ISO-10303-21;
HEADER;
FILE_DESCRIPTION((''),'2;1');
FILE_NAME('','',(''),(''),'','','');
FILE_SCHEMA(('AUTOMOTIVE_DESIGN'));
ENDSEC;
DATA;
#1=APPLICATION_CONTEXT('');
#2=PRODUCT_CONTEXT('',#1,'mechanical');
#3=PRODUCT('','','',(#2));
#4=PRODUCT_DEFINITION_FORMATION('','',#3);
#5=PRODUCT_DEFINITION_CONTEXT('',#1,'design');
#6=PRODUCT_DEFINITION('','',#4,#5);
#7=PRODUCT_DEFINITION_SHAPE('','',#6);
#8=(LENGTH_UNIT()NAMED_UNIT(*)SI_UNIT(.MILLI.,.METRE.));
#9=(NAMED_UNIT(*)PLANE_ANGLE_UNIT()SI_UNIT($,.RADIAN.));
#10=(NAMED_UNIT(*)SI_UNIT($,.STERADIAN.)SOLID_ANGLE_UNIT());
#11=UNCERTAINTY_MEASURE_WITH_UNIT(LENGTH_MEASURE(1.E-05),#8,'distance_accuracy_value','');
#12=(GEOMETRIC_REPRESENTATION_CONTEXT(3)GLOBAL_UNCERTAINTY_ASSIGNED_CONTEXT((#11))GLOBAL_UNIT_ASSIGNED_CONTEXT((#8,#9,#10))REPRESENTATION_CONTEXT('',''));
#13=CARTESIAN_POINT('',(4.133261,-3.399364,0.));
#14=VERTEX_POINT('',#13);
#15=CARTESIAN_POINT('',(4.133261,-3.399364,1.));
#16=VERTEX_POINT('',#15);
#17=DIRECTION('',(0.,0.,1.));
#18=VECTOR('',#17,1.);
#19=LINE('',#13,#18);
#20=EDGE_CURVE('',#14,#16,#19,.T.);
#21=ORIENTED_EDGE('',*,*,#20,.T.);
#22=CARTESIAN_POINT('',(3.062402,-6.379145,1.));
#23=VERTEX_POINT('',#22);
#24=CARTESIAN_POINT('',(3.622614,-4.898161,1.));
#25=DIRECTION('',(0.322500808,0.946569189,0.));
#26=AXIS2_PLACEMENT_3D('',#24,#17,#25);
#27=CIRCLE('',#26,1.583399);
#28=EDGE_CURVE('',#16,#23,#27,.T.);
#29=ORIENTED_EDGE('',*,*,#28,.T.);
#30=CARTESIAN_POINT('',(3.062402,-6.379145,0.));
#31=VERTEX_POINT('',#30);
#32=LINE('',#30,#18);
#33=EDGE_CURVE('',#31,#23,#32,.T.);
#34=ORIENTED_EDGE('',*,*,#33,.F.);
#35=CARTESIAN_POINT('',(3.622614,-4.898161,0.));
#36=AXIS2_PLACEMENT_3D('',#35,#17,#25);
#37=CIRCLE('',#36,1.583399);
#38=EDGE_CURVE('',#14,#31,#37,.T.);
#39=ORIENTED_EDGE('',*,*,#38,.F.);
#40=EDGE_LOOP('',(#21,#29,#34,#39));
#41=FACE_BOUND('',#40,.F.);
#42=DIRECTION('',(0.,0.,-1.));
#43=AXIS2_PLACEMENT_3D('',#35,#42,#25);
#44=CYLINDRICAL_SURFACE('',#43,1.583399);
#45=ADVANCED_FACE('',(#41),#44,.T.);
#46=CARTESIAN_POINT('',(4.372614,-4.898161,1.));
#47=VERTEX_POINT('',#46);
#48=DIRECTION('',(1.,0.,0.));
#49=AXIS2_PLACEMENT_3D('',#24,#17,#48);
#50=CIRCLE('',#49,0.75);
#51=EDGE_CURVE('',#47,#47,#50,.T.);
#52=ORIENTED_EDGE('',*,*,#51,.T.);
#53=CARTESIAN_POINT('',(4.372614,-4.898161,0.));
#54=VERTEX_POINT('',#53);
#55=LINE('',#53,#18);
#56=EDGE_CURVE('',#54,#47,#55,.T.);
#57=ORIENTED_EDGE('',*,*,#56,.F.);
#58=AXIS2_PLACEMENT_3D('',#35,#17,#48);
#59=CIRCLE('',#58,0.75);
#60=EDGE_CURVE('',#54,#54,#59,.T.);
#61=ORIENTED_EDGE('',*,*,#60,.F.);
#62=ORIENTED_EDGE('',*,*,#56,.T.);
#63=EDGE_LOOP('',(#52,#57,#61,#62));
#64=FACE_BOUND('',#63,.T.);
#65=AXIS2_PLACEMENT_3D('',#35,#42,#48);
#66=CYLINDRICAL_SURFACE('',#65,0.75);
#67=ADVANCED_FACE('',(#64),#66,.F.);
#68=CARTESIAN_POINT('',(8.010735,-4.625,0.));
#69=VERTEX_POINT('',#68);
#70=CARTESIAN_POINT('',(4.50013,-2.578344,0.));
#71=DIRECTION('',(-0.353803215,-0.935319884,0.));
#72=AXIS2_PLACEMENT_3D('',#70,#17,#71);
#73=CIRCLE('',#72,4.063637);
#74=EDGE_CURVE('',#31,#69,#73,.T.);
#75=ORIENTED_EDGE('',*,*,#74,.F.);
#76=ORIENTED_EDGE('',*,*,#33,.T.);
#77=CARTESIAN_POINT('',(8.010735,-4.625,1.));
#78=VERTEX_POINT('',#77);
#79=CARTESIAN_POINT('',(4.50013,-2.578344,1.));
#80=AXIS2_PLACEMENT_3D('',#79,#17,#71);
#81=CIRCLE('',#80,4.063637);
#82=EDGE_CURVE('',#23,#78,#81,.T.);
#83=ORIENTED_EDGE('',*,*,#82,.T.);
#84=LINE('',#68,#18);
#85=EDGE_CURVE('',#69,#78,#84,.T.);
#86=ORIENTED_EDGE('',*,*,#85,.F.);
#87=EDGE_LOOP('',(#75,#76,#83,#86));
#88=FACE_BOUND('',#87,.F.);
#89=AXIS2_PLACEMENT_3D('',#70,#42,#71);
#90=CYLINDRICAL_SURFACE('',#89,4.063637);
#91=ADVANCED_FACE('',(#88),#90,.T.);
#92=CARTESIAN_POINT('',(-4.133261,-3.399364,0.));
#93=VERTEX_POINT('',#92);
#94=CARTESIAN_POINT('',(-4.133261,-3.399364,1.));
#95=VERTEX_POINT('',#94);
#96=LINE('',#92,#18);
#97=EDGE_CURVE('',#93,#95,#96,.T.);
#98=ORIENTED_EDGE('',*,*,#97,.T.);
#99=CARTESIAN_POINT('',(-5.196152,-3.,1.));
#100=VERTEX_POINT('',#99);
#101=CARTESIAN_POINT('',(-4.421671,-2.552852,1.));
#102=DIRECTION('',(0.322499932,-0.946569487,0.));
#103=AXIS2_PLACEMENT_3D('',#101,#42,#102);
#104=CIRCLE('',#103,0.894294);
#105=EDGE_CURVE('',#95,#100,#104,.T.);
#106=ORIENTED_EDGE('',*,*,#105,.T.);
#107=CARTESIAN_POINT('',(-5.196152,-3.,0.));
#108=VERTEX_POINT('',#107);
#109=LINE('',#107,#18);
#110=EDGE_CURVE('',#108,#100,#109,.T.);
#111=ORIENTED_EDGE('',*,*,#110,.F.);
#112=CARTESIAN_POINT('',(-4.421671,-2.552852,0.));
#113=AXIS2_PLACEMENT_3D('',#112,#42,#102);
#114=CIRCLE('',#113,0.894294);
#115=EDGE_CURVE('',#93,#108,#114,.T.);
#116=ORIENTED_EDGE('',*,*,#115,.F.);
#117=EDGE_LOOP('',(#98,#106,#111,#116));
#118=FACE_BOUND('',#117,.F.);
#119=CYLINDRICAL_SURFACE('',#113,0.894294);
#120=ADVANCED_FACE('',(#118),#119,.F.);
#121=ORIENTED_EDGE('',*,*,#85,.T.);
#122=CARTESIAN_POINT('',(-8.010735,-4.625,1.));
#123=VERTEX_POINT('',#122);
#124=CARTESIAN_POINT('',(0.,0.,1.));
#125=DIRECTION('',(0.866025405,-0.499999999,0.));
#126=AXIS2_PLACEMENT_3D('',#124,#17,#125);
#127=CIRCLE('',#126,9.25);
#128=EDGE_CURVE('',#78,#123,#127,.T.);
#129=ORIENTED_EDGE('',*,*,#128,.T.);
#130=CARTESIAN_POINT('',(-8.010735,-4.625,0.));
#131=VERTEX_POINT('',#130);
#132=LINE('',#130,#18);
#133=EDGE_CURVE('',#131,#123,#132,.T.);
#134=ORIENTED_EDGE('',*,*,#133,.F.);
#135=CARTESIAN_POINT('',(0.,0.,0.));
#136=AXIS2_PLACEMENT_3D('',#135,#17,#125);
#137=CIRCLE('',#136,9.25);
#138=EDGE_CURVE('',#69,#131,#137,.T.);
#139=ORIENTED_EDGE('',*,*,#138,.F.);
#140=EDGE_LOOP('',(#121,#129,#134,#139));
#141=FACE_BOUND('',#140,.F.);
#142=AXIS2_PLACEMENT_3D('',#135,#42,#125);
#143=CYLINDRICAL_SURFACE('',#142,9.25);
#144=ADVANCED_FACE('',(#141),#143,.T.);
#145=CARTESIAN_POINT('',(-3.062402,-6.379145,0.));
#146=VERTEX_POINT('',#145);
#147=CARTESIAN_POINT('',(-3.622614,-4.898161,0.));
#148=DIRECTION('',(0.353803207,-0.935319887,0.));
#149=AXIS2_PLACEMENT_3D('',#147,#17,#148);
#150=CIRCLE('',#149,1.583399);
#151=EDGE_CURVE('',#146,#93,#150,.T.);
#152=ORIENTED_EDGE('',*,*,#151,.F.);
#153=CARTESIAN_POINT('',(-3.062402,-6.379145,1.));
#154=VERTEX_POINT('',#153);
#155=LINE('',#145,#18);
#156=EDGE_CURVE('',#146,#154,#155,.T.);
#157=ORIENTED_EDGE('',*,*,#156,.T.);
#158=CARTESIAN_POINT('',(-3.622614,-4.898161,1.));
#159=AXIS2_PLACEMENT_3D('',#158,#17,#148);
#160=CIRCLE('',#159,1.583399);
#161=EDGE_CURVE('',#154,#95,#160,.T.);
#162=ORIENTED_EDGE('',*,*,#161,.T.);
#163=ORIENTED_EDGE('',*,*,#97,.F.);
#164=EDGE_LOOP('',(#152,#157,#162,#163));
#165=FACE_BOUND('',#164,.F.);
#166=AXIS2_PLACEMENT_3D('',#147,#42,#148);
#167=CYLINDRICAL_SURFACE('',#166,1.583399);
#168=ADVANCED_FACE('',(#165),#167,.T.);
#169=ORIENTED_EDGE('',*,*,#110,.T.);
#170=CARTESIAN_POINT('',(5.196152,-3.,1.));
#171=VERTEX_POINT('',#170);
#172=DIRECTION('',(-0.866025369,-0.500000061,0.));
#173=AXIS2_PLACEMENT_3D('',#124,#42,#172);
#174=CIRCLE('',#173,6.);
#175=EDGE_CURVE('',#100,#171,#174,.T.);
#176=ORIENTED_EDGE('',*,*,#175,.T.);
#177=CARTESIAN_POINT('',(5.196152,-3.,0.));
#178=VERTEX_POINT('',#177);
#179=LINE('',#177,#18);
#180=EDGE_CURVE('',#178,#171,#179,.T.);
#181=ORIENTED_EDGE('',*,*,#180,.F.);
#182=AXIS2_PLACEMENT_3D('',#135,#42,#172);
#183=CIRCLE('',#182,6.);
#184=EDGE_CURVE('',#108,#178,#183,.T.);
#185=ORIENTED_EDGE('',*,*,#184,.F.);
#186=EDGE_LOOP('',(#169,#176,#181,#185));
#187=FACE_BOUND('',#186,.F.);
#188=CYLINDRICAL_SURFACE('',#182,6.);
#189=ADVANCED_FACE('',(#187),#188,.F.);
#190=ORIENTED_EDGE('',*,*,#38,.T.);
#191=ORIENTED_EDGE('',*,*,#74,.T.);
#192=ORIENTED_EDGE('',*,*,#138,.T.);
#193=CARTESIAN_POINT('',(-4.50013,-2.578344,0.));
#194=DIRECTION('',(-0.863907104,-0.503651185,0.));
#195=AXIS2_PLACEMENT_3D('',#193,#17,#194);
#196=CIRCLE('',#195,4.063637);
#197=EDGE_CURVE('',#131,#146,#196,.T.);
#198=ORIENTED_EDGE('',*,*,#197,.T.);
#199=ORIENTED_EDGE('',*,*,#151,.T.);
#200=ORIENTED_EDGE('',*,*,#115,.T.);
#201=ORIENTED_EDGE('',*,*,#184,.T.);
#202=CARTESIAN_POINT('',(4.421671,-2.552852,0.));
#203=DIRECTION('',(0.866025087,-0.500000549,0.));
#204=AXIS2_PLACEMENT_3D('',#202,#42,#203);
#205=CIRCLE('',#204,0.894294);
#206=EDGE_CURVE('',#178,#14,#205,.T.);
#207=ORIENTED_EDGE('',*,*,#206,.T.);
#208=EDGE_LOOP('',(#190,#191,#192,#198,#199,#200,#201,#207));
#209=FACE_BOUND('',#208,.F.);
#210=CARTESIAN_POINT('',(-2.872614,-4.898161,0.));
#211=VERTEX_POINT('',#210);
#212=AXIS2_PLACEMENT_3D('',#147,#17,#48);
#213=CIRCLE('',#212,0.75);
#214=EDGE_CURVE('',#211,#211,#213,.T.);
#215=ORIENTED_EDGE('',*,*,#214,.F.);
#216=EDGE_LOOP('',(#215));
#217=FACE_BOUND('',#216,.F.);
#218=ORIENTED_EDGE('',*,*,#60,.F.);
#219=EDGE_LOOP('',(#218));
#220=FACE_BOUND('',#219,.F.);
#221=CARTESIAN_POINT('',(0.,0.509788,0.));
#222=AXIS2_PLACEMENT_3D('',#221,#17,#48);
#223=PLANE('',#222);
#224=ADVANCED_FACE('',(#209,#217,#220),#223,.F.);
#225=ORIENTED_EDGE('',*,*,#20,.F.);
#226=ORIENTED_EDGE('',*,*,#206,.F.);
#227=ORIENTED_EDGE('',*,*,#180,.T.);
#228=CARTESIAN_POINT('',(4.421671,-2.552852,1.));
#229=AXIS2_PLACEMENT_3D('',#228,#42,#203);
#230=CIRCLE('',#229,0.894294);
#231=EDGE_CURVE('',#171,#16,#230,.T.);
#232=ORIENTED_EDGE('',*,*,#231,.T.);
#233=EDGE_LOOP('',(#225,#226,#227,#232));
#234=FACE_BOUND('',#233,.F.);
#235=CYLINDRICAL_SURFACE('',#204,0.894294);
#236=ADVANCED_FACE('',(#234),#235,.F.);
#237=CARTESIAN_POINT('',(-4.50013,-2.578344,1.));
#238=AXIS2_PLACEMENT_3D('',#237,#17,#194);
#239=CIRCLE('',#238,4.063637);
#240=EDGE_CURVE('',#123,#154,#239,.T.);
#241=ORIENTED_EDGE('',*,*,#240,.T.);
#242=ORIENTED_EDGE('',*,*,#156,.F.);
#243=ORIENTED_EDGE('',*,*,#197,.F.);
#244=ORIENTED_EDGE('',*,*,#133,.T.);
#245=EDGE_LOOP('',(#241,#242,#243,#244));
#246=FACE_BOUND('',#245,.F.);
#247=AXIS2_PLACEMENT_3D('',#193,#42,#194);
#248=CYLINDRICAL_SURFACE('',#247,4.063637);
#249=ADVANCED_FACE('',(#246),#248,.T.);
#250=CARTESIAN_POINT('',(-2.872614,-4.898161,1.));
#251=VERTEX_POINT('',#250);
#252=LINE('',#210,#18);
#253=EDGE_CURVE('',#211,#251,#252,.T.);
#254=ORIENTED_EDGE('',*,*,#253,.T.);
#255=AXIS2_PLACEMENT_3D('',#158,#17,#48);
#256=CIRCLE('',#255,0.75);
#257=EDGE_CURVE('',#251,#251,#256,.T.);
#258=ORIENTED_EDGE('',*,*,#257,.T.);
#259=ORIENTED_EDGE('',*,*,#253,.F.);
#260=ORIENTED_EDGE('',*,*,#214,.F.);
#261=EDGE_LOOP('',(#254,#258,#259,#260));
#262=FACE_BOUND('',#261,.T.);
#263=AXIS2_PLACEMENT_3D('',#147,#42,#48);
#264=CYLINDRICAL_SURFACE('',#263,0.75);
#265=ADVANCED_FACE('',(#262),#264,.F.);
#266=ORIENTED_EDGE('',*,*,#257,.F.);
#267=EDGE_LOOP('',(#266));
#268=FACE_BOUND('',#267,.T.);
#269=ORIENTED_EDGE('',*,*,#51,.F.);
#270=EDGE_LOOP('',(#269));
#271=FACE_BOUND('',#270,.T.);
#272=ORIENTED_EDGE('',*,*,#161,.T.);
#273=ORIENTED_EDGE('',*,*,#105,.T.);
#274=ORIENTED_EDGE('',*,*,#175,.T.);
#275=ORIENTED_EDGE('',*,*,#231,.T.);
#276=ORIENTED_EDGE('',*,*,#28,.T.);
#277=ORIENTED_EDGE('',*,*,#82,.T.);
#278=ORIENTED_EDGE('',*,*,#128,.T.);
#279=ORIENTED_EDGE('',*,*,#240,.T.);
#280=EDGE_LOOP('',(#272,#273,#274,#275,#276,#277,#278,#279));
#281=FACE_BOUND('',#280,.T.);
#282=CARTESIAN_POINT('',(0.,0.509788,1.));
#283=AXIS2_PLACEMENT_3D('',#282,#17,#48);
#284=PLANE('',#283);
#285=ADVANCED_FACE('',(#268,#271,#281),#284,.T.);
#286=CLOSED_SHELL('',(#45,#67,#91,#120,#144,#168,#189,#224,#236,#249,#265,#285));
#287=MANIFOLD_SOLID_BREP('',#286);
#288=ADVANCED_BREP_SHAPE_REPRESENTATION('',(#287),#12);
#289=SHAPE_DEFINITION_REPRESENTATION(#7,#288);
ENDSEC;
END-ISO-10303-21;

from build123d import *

# Parameters (mm, degrees)
F0_R     = 0.75
F1_DEPTH = 1


with BuildPart() as f1:
    # F0 (on Top) → F1 (new body)
    with BuildSketch(Plane.XY):
        with BuildLine():
            ThreePointArc((-5.196152, -3), (0, 6), (5.196152, -3))
            ThreePointArc((5.196152, -3), (4.736217, -3.390004), (4.133261, -3.399364))
            ThreePointArc((4.133261, -3.399364), (2.132517, -4.362657), (3.062402, -6.379145))
            ThreePointArc((3.062402, -6.379145), (5.857871, -6.408447), (8.010735, -4.625))
            ThreePointArc((8.010735, -4.625), (0, 9.25), (-8.010735, -4.625))
            ThreePointArc((-8.010735, -4.625), (-5.857871, -6.408447), (-3.062402, -6.379145))
            ThreePointArc((-3.062402, -6.379145), (-2.132517, -4.362657), (-4.133261, -3.399364))
            ThreePointArc((-4.133261, -3.399364), (-4.736217, -3.390004), (-5.196152, -3))
        make_face()
        with Locations((-3.622614, -4.898161)):
            Circle(F0_R, mode=Mode.SUBTRACT)
        with Locations((3.622614, -4.898161)):
            Circle(F0_R, mode=Mode.SUBTRACT)
    extrude(amount=F1_DEPTH)


solid = f1.part
